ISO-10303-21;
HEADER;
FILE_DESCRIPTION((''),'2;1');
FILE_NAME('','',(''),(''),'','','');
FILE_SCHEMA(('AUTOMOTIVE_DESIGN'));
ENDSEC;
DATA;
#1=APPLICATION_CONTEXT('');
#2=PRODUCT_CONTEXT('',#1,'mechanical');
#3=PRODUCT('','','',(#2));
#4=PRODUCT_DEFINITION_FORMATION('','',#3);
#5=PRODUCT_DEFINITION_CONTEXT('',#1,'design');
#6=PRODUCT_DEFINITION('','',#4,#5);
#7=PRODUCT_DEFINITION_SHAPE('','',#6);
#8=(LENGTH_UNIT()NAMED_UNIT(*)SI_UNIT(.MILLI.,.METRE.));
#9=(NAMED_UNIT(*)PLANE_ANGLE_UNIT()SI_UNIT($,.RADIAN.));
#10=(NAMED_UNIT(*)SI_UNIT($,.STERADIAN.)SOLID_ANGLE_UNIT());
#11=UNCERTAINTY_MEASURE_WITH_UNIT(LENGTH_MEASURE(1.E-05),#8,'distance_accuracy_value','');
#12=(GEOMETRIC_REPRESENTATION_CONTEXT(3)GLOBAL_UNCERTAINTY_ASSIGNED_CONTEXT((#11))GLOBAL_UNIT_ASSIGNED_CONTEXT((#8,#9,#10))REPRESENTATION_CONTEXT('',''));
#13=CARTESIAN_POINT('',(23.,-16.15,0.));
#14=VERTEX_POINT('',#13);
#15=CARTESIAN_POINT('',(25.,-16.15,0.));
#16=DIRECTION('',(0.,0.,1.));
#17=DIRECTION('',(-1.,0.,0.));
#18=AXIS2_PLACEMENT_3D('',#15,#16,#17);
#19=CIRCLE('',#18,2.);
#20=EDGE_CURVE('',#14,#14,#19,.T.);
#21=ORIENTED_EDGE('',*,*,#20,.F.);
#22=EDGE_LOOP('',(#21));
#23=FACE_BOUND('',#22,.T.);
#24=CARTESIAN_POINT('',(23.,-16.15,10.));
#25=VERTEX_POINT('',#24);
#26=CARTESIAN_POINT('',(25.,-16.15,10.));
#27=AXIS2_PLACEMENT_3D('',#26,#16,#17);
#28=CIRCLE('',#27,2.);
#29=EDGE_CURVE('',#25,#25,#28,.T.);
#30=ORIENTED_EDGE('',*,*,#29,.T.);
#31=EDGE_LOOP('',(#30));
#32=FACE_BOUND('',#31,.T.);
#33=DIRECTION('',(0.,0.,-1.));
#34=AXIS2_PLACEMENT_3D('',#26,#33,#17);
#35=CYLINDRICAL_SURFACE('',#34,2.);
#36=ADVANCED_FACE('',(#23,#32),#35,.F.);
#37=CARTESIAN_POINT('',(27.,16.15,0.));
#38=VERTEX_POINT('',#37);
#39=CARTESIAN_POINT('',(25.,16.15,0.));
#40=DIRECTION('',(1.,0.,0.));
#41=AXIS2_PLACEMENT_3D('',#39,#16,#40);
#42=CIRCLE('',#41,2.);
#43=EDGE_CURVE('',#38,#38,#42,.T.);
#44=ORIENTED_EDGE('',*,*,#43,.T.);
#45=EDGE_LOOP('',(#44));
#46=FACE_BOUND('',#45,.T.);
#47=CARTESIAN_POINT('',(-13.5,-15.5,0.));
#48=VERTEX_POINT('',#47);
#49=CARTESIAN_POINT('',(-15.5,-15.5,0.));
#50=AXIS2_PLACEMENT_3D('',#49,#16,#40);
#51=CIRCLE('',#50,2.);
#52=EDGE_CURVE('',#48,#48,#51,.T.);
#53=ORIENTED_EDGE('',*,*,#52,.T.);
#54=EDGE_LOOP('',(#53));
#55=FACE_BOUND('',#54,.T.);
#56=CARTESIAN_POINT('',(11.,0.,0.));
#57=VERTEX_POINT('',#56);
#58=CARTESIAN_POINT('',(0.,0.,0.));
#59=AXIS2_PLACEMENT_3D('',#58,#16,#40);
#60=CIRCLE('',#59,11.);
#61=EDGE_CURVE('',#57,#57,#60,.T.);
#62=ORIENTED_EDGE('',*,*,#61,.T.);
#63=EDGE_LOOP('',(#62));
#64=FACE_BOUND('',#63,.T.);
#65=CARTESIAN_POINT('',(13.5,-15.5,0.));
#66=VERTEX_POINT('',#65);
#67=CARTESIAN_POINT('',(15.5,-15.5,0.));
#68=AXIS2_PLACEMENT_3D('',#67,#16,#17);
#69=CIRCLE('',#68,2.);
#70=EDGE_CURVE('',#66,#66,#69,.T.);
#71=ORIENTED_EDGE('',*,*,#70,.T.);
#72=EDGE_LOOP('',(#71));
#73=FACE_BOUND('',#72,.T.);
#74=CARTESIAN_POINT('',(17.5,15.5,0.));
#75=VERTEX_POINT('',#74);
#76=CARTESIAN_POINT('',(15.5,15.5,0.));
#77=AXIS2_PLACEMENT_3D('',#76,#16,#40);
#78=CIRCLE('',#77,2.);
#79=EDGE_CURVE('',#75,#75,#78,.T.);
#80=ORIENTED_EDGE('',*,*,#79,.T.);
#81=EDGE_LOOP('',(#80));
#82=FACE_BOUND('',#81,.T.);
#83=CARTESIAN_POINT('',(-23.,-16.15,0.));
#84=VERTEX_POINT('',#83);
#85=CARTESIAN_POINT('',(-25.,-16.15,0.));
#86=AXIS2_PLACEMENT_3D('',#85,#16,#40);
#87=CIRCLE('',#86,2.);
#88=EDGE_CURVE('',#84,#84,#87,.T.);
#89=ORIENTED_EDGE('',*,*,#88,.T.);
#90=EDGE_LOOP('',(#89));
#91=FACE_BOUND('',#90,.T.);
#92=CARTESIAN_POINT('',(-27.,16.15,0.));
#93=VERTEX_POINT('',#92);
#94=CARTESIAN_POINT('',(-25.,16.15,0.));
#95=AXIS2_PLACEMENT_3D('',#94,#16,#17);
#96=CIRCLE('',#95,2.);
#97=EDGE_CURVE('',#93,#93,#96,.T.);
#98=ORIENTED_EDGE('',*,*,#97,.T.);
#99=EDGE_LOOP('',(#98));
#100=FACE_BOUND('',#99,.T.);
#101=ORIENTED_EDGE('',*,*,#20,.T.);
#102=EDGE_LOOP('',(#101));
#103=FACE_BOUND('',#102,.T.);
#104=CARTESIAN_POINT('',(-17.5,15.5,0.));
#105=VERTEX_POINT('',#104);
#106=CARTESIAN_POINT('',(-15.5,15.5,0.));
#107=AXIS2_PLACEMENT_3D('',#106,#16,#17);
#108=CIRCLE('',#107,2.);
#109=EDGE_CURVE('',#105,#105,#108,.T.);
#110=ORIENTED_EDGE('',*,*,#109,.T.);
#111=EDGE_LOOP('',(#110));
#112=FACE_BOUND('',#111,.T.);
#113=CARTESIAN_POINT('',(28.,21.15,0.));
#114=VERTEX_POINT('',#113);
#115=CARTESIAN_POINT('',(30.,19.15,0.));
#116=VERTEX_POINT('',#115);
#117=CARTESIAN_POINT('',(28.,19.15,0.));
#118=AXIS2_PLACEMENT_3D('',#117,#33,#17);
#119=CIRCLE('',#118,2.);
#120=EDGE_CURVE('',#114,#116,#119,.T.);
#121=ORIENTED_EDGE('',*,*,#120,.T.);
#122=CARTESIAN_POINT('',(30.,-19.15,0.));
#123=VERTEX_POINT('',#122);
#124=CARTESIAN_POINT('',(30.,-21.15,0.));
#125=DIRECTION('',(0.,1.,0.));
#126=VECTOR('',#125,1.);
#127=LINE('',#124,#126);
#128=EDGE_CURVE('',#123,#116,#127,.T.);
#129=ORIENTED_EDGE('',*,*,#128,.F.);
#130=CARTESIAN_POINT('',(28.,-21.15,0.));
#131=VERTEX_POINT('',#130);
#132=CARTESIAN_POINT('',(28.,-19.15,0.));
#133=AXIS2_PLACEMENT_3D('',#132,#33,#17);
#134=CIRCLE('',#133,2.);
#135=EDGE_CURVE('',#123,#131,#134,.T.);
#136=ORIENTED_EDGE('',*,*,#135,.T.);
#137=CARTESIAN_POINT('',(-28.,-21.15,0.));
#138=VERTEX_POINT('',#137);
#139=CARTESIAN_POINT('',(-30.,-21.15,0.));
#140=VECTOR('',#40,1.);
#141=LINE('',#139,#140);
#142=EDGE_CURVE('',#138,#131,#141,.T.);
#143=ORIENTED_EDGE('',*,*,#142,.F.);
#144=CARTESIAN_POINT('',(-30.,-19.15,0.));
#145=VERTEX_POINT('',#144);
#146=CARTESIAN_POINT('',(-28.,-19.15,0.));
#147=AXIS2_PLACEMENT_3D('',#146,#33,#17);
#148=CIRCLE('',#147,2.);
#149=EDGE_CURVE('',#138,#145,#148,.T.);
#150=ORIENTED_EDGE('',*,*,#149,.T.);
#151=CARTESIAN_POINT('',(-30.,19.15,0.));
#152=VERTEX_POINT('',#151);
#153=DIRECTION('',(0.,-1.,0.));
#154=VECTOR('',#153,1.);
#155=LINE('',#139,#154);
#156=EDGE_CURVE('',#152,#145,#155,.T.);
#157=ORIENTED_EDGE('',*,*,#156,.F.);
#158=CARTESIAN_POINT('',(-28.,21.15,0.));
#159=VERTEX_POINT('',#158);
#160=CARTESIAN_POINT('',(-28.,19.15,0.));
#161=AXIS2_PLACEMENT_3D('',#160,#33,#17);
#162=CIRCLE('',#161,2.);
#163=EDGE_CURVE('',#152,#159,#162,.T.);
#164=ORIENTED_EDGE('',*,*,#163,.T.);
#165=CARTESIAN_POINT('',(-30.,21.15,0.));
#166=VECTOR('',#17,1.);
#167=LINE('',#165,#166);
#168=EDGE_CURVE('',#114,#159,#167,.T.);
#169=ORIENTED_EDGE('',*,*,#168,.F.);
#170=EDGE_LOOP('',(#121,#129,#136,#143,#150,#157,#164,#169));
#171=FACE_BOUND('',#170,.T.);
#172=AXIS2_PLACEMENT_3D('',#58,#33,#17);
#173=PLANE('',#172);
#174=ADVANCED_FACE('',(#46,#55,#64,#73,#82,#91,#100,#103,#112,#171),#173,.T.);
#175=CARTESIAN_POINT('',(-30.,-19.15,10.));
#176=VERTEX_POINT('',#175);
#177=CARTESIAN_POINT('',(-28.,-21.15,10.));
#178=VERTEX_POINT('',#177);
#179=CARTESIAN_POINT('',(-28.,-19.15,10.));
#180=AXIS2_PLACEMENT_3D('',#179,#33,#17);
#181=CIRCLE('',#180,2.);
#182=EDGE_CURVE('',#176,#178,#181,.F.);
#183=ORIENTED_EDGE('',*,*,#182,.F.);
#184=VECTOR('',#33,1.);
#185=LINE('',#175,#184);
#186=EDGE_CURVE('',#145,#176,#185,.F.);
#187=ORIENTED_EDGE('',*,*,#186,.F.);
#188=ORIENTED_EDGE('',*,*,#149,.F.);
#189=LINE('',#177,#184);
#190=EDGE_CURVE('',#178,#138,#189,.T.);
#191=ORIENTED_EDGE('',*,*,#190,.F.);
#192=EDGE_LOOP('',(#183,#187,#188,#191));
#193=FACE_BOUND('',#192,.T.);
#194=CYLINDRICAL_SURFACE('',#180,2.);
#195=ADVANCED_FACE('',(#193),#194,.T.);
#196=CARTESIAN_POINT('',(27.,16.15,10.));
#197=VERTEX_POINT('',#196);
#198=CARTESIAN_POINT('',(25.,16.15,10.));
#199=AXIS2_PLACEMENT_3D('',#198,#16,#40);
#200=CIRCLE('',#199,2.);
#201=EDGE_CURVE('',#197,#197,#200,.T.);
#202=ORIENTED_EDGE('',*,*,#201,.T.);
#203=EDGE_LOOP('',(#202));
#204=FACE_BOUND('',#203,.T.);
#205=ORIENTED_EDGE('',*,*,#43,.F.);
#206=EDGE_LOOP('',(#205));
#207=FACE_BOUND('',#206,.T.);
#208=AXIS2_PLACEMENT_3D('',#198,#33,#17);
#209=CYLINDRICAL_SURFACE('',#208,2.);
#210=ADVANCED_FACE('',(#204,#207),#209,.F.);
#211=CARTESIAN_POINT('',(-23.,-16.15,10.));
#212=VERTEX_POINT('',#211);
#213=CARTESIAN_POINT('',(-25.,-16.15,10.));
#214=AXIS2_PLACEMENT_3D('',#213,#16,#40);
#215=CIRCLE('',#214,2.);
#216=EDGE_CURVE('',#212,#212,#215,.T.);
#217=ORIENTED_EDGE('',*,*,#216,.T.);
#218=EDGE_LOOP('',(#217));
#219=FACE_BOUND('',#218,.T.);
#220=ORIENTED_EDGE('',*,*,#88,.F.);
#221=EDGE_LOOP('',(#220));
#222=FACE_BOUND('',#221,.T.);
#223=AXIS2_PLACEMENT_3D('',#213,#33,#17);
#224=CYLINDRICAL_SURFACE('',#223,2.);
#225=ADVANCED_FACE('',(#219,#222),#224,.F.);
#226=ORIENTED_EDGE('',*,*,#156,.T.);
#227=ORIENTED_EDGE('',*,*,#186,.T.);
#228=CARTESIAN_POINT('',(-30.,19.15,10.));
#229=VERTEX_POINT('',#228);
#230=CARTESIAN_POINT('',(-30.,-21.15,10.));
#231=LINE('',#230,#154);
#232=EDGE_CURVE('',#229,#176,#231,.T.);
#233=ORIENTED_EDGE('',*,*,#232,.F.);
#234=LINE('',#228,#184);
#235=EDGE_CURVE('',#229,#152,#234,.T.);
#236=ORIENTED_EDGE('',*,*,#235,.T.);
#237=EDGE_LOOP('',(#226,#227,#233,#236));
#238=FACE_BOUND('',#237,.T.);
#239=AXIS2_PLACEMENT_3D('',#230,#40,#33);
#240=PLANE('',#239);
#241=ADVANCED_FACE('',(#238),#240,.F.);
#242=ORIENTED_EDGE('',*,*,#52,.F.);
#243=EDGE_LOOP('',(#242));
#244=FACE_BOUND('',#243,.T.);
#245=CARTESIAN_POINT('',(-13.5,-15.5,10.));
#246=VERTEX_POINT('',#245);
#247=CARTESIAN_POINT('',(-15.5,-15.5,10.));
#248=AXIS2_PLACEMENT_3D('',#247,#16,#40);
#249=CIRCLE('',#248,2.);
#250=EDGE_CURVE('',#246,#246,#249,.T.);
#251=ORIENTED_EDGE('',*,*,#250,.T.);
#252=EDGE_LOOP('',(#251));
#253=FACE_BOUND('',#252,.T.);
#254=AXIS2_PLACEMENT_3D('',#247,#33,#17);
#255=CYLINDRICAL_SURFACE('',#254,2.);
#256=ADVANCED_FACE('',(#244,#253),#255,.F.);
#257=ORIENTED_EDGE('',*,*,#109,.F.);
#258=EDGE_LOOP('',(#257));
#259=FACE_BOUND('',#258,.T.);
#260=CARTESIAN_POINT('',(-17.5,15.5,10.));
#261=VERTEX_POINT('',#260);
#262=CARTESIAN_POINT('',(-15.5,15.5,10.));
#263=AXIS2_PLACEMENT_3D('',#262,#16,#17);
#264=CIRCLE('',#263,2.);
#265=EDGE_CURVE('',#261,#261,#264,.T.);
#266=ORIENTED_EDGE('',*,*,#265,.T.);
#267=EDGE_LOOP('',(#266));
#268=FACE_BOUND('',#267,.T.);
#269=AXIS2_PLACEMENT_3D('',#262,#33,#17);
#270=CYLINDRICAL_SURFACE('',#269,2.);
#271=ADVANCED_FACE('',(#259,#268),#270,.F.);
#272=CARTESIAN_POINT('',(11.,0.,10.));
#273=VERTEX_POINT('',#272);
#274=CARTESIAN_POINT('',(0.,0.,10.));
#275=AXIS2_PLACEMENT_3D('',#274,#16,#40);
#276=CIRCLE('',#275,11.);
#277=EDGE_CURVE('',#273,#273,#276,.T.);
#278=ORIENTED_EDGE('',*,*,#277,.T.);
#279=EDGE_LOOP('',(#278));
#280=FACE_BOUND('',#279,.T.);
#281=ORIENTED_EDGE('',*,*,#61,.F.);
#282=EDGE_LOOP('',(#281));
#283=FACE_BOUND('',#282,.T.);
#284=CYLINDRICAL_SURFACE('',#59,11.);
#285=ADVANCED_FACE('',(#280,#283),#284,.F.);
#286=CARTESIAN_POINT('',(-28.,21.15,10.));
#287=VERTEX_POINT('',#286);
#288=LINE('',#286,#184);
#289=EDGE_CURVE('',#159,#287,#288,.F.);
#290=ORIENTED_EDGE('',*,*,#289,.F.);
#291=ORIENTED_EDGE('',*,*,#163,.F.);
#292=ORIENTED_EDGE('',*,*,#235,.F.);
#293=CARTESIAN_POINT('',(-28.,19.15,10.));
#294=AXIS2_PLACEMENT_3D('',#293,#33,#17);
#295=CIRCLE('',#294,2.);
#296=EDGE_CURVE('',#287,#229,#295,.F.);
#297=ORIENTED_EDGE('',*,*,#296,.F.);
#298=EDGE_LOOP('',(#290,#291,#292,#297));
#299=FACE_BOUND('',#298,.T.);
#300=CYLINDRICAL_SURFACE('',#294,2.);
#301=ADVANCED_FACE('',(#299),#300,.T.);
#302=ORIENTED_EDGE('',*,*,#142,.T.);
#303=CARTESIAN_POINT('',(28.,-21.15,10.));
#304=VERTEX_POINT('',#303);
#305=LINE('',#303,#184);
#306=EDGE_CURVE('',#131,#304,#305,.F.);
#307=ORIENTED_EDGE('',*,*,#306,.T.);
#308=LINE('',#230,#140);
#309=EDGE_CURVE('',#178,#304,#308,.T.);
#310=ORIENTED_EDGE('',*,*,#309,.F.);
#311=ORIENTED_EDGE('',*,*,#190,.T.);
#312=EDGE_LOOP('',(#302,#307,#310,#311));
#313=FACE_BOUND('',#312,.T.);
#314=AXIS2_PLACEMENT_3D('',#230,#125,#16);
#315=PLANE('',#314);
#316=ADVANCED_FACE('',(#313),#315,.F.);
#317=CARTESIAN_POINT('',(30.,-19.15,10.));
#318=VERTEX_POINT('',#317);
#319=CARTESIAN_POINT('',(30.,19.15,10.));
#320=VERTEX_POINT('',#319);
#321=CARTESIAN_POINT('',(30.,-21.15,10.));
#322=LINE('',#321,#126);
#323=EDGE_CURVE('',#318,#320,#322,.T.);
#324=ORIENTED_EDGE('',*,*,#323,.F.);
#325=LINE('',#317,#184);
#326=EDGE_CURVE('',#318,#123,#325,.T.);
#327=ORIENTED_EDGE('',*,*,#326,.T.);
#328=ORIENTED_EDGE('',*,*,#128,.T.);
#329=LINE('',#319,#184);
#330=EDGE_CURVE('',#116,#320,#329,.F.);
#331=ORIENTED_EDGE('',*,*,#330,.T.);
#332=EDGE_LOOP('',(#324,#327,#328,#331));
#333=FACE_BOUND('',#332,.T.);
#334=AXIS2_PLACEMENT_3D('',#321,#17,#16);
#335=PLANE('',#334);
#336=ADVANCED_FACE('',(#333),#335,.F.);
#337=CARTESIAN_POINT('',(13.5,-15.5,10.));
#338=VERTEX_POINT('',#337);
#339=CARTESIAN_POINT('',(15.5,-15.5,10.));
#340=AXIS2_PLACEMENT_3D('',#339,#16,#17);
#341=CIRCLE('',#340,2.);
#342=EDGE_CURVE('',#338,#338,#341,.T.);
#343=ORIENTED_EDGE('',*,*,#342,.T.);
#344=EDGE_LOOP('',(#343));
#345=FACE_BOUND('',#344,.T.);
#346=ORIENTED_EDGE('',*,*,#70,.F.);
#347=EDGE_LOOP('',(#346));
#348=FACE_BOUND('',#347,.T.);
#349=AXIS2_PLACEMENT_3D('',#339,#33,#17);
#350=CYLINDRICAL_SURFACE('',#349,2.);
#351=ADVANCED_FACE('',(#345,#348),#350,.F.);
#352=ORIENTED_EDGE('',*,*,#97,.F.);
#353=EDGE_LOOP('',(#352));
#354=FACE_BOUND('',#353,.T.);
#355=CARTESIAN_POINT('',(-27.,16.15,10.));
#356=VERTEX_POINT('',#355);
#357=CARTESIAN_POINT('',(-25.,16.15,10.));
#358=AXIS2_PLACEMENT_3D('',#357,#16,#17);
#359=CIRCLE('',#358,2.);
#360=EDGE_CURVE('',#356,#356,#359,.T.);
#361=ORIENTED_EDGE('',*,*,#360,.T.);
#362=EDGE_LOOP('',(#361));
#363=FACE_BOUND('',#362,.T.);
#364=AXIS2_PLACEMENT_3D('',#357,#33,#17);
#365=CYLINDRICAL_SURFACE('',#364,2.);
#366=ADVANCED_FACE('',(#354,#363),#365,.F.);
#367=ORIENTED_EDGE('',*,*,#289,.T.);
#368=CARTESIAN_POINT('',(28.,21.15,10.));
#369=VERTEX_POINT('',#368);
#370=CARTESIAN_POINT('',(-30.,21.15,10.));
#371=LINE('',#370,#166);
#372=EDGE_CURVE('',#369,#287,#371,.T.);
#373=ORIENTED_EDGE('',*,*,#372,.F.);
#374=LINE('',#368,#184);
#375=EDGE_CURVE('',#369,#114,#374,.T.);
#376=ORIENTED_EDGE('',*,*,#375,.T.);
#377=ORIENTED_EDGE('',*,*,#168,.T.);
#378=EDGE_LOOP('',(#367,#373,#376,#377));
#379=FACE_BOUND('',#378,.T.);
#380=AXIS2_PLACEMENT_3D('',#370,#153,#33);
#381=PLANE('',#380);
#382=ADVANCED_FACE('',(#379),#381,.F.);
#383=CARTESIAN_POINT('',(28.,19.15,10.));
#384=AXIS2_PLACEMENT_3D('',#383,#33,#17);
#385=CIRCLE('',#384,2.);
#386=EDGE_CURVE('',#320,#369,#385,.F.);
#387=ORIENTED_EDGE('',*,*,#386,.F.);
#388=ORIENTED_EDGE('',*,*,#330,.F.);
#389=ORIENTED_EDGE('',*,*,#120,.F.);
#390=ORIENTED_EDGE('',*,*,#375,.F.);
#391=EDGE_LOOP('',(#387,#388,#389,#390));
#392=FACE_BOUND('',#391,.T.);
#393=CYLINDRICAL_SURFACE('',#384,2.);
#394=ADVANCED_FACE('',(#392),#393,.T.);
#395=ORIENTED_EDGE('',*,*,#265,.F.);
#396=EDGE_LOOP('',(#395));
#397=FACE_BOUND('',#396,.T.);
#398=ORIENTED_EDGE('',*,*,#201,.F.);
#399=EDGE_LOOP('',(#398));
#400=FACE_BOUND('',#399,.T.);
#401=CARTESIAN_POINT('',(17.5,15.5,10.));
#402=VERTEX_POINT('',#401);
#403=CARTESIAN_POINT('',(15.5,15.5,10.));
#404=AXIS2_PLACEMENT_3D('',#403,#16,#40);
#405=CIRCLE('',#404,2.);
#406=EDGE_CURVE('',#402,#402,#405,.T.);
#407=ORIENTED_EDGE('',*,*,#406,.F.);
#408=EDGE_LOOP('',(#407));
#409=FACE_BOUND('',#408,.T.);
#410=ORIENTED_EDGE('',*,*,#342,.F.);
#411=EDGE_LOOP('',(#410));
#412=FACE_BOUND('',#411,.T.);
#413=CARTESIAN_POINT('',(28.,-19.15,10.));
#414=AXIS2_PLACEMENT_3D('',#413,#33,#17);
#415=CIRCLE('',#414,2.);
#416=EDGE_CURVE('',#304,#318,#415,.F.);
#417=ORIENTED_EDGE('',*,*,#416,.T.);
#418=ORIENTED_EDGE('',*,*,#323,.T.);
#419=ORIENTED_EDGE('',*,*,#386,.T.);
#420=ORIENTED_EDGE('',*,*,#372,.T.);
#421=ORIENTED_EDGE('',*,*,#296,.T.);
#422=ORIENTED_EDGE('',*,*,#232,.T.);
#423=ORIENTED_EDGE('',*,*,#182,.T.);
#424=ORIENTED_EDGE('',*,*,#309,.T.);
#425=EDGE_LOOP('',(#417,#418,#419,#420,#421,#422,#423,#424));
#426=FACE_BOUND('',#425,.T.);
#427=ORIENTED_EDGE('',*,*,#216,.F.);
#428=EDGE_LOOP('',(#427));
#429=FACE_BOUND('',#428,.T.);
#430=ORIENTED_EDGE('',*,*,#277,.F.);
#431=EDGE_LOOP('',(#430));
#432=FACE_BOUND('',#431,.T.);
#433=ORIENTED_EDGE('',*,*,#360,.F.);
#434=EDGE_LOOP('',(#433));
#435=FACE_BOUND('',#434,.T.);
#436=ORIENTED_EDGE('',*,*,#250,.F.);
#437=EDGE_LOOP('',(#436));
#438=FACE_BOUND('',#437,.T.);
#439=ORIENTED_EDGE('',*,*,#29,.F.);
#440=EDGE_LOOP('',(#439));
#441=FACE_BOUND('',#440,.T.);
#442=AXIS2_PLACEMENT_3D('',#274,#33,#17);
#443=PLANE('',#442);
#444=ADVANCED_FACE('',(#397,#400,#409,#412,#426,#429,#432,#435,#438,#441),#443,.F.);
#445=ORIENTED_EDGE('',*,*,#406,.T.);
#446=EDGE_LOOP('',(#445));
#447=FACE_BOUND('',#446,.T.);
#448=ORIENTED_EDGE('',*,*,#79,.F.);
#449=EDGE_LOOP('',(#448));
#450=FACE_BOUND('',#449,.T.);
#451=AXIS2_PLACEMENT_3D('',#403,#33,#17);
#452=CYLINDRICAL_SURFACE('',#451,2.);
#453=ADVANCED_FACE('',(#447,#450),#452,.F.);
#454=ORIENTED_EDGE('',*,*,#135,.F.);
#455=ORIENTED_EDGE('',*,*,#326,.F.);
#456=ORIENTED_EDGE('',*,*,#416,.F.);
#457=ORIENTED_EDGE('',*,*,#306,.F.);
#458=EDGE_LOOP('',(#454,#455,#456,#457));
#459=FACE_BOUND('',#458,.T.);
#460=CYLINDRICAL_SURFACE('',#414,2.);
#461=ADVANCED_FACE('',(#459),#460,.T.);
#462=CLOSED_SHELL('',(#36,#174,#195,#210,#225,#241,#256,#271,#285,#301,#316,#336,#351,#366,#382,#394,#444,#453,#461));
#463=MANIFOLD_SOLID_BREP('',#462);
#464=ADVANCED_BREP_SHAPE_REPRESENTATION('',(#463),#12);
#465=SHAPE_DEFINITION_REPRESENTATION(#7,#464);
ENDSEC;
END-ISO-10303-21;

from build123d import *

# Parameters (mm, degrees)
ESQUISSE1_W             = 60
ESQUISSE1_H             = 42.3
ESQUISSE1_R             = 2
BOSS_EXTRU_1_DEPTH      = 10
ESQUISSE2_R             = 11
ENL_V_MAT_EXTRU_1_DEPTH = 10
CONG_1_R                = 2


with BuildPart() as part:
    # Esquisse1 → Boss.-Extru.1 (new body)
    with BuildSketch(Plane.XY):
        Rectangle(ESQUISSE1_W, ESQUISSE1_H)
        with Locations((15.5, 15.5)):
            Circle(ESQUISSE1_R, mode=Mode.SUBTRACT)
        with Locations(Location((-15.5, 15.5, 0), (0, 0, 180))):
            Circle(ESQUISSE1_R, mode=Mode.SUBTRACT)
        with Locations(Location((15.5, -15.5, 0), (0, 0, 180))):
            Circle(ESQUISSE1_R, mode=Mode.SUBTRACT)
        with Locations((-15.5, -15.5)):
            Circle(ESQUISSE1_R, mode=Mode.SUBTRACT)
        with Locations((25, 16.15)):
            Circle(ESQUISSE1_R, mode=Mode.SUBTRACT)
        with Locations(Location((-25, 16.15, 0), (0, 0, 180))):
            Circle(ESQUISSE1_R, mode=Mode.SUBTRACT)
        with Locations((-25, -16.15)):
            Circle(ESQUISSE1_R, mode=Mode.SUBTRACT)
        with Locations(Location((25, -16.15, 0), (0, 0, 180))):
            Circle(ESQUISSE1_R, mode=Mode.SUBTRACT)
    extrude(amount=BOSS_EXTRU_1_DEPTH)

    # Esquisse2 → Enlèv. mat.-Extru.1 (cut)
    with BuildSketch(Plane.XY.offset(10)):
        Circle(ESQUISSE2_R)
    extrude(amount=-ENL_V_MAT_EXTRU_1_DEPTH, mode=Mode.SUBTRACT)

    # Congé1
    cong_1_edges = [part.edges().sort_by_distance(p)[0] for p in [
        (30, -21.15, 5),
        (-30, -21.15, 5),
        (-30, 21.15, 5),
        (30, 21.15, 5),
    ]]
    fillet(cong_1_edges, radius=CONG_1_R)


solid = part.part
